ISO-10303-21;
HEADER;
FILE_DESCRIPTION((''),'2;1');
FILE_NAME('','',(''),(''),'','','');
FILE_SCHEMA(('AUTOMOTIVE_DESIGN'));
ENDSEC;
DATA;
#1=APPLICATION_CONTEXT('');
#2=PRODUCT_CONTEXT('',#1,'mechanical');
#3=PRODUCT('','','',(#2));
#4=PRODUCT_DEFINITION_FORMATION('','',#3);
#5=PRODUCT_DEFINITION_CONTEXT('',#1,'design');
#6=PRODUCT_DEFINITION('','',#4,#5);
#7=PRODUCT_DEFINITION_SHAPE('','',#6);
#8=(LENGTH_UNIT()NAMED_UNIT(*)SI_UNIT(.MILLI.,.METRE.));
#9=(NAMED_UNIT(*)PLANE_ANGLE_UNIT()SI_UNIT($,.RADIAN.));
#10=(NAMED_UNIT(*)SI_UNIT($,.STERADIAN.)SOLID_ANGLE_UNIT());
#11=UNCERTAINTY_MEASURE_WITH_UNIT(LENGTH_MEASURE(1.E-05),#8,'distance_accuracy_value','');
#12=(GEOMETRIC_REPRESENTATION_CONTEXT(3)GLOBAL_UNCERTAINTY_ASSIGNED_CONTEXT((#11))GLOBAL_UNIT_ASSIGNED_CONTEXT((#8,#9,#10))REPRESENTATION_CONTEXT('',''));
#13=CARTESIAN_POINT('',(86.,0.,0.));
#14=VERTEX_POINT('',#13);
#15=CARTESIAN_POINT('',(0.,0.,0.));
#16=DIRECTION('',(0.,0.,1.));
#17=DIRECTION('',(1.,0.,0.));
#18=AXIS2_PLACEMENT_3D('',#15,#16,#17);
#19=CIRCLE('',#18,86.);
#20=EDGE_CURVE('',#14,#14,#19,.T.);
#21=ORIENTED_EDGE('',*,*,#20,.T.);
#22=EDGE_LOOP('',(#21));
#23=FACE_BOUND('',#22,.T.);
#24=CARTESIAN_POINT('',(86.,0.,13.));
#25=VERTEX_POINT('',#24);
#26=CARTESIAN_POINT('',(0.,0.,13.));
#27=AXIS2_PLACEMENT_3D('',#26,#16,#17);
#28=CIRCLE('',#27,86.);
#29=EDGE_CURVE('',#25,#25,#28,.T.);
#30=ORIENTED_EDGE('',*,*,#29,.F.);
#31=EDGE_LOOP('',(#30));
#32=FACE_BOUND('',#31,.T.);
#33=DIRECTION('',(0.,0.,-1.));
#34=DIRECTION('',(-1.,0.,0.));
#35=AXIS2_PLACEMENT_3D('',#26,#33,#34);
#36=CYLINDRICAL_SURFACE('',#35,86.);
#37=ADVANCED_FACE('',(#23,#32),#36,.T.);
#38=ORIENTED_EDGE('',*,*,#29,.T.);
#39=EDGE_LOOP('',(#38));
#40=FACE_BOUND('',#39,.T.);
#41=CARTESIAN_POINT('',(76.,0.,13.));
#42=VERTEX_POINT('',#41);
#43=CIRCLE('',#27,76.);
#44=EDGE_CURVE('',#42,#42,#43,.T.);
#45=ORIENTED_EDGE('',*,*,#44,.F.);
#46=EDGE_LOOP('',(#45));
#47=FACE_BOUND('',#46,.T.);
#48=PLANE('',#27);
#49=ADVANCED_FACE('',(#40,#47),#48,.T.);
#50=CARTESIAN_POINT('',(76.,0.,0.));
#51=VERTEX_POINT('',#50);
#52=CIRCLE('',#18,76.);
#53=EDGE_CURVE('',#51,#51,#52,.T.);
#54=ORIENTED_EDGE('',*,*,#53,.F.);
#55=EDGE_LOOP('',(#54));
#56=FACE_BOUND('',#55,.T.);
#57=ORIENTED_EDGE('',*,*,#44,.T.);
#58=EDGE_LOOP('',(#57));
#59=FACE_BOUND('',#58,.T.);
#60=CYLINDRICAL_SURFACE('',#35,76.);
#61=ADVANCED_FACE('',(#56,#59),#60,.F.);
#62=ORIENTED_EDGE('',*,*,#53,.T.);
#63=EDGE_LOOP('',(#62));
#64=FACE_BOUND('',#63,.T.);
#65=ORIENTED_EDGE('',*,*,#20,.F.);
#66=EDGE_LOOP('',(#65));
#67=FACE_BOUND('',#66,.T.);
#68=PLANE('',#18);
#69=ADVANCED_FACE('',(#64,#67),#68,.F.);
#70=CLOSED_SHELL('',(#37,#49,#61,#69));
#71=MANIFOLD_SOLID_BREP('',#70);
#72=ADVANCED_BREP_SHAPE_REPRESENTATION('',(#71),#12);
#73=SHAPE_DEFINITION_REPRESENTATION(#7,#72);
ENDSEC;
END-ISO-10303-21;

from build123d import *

# Parameters (mm, degrees)
SKETCH1_R           = 86
SKETCH1_R_2         = 76
BOSS_EXTRUDE1_DEPTH = 13


with BuildPart() as part:
    # Sketch1 → Boss-Extrude1 (new body)
    with BuildSketch(Plane.XY):
        Circle(SKETCH1_R)
        Circle(SKETCH1_R_2, mode=Mode.SUBTRACT)
    extrude(amount=BOSS_EXTRUDE1_DEPTH)


solid = part.part
